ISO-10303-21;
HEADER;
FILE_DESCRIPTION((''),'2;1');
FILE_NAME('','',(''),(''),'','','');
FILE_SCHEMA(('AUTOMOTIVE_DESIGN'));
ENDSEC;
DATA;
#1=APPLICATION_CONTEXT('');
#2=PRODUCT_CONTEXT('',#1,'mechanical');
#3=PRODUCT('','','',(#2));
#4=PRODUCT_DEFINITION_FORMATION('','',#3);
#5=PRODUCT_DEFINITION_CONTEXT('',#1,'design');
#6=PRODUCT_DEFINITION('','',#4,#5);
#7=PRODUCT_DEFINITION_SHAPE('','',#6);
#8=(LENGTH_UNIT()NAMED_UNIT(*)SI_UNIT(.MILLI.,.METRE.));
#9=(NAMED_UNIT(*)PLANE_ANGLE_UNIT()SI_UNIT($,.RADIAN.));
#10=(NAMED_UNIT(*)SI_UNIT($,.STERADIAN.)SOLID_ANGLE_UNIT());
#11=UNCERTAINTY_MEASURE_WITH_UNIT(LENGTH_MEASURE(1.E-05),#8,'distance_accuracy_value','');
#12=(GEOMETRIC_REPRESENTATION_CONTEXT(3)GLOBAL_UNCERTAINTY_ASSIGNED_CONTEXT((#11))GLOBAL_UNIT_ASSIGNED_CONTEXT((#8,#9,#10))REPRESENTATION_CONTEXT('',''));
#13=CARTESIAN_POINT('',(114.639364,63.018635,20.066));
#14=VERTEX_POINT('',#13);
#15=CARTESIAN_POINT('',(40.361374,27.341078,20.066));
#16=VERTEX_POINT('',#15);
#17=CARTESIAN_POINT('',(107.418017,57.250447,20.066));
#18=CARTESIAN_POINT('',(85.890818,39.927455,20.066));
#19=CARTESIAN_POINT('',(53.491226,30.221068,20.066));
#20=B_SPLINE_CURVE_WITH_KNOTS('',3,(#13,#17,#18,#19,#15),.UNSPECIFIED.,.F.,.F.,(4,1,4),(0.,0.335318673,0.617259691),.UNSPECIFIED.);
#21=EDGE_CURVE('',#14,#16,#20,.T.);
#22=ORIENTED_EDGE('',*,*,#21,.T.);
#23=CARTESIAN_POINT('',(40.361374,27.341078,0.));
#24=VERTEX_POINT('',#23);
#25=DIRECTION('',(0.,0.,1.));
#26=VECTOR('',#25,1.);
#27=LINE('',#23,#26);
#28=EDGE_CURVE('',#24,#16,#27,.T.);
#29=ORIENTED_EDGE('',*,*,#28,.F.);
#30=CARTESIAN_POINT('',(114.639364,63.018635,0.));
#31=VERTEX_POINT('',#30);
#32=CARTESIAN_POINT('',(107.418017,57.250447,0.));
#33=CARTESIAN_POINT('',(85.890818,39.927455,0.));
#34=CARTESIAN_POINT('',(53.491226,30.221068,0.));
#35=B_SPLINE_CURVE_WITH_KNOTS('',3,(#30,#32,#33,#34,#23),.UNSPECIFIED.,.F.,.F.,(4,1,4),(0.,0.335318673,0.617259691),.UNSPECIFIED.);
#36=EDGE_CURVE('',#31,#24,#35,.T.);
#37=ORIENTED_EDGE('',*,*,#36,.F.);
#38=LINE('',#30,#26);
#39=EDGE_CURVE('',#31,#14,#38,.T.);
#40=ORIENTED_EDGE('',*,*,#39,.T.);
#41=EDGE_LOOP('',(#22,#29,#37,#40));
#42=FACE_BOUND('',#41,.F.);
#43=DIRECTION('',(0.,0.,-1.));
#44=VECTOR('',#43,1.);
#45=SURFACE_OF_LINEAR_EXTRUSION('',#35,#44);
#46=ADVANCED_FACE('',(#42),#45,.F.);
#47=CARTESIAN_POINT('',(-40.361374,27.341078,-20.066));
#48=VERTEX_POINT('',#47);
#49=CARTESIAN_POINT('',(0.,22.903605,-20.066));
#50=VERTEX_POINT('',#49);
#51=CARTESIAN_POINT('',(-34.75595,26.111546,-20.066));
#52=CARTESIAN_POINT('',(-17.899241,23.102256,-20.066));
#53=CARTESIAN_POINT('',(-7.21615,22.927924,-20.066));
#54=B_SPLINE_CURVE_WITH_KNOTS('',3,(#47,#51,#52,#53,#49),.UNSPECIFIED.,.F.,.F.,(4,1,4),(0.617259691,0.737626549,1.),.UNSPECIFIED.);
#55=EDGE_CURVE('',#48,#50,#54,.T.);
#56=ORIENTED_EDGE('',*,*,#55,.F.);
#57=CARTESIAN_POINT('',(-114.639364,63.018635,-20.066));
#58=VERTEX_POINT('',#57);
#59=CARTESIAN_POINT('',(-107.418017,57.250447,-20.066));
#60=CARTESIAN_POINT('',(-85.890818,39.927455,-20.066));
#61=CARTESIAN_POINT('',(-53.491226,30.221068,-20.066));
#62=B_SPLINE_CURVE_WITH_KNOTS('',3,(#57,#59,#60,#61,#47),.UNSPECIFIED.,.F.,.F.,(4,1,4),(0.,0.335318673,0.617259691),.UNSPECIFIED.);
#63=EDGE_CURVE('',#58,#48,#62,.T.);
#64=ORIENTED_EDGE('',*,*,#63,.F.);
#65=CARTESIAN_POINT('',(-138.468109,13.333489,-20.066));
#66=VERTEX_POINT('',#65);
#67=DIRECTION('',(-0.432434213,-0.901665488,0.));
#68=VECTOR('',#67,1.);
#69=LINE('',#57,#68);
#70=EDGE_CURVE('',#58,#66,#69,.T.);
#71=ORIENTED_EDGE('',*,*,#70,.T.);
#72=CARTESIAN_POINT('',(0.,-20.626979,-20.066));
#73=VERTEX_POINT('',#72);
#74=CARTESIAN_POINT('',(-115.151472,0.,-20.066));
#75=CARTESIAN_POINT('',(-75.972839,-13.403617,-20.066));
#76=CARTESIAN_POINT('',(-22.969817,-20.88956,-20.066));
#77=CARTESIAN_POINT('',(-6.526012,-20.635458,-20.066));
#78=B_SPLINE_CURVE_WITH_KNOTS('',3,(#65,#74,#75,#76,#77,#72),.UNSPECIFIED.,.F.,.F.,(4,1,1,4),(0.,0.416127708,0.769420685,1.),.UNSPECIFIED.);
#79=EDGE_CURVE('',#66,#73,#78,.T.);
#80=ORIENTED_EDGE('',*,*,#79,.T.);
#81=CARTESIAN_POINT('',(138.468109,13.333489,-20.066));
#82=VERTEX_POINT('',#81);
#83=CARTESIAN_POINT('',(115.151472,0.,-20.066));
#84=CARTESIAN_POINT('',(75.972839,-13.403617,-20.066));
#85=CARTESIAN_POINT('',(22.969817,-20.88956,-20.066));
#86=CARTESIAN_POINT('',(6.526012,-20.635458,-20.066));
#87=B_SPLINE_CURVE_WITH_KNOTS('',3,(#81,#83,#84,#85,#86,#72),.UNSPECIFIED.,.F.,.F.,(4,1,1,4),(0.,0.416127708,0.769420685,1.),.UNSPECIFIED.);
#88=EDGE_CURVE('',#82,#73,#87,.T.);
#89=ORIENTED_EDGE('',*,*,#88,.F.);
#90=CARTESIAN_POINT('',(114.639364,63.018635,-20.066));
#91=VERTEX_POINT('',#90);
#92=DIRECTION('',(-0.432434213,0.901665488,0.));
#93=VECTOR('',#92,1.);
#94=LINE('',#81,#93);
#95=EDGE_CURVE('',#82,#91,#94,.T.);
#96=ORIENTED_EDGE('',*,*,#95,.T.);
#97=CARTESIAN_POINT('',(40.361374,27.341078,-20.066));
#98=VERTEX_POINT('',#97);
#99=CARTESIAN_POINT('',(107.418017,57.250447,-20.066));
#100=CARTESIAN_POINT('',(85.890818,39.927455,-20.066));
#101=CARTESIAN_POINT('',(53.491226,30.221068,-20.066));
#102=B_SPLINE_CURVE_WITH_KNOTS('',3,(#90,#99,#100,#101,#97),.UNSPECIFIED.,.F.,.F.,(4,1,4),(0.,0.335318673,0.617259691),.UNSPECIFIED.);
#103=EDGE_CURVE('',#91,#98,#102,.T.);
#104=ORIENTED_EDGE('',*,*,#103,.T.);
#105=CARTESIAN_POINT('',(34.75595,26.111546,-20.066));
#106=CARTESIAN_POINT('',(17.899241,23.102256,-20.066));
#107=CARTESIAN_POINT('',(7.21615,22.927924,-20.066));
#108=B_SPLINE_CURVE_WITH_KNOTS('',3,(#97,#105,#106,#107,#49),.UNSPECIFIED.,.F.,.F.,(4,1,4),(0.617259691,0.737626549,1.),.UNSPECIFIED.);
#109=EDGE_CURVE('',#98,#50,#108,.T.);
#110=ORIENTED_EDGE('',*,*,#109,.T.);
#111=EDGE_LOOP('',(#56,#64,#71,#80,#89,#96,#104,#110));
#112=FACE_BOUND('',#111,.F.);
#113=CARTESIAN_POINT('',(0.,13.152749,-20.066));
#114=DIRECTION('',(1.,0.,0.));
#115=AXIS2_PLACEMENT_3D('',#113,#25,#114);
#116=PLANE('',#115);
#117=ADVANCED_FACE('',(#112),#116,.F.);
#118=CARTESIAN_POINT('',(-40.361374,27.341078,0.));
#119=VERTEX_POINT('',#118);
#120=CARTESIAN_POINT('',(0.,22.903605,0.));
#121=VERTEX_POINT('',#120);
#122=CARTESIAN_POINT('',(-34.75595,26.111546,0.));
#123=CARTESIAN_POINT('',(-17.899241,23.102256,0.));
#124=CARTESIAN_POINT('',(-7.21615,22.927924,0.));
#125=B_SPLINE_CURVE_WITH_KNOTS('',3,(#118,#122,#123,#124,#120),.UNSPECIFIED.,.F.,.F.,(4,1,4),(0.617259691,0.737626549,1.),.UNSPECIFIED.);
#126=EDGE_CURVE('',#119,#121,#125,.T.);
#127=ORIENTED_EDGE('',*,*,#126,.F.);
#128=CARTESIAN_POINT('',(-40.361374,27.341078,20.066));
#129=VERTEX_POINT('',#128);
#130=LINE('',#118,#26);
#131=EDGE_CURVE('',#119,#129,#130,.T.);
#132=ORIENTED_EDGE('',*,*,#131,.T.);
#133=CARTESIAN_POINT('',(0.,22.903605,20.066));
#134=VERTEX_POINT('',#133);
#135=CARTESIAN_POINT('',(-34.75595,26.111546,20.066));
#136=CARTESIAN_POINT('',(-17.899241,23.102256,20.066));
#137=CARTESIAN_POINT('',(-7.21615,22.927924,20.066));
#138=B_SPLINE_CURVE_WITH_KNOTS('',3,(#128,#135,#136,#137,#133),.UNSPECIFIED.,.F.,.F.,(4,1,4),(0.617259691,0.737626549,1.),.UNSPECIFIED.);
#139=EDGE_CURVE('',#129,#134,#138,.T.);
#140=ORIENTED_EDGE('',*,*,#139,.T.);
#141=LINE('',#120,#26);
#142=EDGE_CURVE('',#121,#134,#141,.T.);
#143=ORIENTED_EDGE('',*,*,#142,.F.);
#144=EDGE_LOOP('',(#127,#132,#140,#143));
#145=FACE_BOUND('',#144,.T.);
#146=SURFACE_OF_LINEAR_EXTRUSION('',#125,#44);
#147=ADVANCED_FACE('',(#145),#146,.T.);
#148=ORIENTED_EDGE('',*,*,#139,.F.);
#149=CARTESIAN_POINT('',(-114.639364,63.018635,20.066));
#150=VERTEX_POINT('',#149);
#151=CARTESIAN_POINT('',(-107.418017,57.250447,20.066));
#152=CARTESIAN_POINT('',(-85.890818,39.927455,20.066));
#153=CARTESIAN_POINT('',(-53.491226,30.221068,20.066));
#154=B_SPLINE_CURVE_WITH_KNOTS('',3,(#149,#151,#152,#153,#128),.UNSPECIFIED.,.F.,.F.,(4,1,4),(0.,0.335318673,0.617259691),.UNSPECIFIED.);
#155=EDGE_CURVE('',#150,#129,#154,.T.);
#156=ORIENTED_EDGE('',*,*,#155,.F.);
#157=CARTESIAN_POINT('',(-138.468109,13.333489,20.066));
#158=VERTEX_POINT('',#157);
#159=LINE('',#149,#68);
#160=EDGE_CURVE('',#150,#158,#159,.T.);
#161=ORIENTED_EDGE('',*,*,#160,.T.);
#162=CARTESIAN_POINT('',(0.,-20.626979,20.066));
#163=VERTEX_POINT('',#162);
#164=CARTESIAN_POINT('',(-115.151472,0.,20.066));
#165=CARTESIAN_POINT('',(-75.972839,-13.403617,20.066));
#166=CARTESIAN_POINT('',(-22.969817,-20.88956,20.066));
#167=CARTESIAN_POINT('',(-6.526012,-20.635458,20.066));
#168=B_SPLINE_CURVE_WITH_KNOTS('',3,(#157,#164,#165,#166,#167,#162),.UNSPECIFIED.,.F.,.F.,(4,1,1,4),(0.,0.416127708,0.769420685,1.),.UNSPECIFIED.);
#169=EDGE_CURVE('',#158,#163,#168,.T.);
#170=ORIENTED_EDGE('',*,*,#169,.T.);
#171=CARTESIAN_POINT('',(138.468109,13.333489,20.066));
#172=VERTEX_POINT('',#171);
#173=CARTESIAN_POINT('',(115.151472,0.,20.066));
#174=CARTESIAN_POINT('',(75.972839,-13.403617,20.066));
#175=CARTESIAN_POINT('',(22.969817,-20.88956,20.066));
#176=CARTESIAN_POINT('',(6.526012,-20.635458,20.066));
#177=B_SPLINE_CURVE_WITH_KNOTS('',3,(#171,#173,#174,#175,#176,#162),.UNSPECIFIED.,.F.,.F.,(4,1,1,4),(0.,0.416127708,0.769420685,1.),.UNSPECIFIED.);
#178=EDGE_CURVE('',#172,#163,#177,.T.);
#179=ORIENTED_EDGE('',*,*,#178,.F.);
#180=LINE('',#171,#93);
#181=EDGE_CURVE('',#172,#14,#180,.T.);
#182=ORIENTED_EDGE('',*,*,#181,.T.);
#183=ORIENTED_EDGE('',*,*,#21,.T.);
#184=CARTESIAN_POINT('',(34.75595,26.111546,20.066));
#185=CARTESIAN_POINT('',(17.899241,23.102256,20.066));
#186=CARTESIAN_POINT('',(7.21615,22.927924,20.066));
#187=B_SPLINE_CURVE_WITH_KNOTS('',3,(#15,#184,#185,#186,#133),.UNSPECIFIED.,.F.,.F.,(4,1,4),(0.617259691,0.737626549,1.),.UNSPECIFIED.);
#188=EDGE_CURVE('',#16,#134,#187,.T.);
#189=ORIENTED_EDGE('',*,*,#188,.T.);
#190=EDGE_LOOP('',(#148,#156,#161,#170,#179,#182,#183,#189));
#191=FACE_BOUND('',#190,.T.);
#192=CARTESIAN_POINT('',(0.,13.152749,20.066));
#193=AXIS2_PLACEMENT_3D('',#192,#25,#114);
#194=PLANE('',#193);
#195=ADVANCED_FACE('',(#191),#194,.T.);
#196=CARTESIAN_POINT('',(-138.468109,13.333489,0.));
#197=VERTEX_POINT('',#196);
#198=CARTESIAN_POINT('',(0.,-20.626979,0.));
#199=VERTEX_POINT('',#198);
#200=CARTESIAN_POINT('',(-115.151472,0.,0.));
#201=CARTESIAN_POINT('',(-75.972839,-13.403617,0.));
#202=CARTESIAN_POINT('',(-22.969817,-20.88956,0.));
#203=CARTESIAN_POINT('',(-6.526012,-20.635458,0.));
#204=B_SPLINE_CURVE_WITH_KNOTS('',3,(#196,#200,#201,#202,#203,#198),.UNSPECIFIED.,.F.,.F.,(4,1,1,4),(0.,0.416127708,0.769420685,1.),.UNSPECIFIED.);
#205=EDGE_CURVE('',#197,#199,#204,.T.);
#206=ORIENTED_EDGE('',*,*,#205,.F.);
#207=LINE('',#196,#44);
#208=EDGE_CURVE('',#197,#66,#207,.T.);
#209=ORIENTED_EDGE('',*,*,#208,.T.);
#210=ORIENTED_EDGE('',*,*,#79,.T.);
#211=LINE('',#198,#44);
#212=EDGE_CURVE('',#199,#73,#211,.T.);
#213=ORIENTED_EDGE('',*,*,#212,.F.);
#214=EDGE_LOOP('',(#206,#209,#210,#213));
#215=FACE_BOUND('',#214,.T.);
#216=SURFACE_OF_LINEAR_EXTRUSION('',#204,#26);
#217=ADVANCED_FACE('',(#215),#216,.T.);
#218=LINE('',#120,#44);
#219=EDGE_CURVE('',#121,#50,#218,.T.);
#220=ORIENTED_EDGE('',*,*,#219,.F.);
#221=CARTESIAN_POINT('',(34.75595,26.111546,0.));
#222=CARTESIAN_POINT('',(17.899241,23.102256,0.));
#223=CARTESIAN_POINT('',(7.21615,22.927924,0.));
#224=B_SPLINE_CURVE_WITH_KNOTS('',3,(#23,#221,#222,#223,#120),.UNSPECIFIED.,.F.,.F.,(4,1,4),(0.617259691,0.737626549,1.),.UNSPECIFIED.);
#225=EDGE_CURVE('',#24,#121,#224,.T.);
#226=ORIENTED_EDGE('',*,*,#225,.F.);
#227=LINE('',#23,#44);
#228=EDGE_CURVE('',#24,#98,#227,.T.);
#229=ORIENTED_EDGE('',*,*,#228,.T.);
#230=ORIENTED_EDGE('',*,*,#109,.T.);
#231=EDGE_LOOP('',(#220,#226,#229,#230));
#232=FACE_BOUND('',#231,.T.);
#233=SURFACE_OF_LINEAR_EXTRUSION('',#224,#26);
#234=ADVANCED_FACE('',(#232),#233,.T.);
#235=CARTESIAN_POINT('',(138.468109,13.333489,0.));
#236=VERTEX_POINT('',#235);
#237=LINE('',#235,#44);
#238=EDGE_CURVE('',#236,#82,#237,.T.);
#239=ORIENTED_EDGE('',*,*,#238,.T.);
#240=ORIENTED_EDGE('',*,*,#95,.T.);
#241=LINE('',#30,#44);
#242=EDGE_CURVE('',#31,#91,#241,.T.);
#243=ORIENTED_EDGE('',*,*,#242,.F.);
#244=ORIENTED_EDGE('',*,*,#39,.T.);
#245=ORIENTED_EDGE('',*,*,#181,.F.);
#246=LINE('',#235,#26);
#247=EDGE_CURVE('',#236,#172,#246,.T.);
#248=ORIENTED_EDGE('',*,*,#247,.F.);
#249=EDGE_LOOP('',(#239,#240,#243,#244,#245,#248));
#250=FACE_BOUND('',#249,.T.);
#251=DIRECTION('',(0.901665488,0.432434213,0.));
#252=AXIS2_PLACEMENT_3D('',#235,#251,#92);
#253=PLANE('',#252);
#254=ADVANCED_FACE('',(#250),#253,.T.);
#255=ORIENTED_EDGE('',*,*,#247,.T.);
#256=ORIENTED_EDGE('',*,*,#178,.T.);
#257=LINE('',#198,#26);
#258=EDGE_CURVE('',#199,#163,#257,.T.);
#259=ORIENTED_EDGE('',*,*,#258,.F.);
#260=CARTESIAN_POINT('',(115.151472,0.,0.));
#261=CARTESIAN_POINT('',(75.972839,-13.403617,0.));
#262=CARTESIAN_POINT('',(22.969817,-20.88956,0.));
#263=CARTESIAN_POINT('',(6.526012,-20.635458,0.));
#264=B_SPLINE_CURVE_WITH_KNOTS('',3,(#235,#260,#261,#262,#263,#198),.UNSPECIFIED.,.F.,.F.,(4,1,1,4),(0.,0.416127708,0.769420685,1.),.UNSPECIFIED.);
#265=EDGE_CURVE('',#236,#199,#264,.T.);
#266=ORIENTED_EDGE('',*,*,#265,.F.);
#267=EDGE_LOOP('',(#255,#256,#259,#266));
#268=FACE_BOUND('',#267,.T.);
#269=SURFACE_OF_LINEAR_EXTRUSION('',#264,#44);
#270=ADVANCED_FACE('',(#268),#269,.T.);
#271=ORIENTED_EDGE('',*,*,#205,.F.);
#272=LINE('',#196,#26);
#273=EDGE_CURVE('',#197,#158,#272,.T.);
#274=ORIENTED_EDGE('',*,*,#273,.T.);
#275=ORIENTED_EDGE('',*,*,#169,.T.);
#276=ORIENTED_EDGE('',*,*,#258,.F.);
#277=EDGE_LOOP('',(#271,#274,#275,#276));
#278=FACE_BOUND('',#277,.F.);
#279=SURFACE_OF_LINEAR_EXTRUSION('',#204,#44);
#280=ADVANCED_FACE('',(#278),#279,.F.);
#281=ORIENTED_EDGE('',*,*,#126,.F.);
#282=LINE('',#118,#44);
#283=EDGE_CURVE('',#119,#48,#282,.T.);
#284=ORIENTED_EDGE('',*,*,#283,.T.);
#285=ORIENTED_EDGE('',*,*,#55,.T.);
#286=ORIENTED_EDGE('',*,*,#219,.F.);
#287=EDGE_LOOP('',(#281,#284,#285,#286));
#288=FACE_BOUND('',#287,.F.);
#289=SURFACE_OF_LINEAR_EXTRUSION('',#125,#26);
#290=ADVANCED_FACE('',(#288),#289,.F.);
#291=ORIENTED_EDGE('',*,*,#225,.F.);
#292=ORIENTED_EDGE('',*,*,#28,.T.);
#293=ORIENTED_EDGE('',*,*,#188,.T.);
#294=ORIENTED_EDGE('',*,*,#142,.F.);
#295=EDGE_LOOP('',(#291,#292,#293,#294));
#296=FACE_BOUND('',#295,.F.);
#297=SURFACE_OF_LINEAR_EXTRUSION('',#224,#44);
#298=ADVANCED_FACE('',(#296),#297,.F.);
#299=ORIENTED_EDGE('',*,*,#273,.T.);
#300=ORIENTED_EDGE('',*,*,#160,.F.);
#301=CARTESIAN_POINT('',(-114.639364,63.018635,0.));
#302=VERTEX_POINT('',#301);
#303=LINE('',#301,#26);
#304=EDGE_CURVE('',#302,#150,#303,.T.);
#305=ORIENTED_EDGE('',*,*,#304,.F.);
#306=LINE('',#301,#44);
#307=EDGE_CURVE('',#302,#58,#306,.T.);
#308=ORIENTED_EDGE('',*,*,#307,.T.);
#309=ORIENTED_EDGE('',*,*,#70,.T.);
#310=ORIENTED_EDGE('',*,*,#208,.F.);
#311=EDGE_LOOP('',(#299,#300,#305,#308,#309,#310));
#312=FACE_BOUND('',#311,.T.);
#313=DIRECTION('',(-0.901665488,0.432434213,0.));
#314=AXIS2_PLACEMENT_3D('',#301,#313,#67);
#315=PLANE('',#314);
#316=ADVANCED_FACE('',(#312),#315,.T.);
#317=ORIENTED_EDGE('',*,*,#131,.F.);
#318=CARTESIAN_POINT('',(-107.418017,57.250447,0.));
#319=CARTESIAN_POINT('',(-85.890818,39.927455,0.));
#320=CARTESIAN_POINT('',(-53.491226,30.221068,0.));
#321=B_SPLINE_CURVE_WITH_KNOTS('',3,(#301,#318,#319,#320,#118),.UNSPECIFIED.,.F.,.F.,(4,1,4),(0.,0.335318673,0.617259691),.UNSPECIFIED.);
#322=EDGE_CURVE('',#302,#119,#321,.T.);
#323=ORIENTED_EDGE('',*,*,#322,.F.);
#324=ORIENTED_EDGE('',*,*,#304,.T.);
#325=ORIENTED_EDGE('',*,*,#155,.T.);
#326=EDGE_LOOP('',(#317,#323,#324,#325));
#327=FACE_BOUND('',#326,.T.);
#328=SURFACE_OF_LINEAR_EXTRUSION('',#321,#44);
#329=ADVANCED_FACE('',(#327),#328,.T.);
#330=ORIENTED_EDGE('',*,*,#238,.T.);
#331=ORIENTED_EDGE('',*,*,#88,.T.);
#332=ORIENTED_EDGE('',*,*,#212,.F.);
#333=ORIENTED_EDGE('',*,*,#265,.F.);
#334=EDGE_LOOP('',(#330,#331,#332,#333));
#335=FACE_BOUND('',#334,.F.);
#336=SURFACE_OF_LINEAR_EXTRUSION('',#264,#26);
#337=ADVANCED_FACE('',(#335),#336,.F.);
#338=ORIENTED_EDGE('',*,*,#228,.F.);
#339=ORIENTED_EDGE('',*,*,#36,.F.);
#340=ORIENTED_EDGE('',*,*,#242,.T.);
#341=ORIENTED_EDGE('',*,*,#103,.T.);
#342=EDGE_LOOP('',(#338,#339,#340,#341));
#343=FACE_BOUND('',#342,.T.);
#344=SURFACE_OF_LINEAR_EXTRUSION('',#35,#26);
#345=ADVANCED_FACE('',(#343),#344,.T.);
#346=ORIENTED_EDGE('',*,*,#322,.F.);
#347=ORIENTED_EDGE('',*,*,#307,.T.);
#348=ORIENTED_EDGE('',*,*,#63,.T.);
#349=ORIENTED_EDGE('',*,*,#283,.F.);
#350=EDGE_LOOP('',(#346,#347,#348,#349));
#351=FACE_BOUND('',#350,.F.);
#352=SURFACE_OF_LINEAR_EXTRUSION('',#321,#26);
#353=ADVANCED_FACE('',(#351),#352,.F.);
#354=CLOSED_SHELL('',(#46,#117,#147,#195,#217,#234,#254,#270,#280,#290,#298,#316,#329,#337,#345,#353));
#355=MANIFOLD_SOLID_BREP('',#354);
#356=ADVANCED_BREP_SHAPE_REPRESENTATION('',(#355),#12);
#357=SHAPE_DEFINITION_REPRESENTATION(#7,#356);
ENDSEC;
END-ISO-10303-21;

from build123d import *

# Parameters (mm, degrees)
F1_DEPTH = 20.066


with BuildPart() as f1:
    # F0 (on Top) → F1 (new body, symmetric)
    with BuildSketch(Plane.XY):
        with BuildLine():
            Line((-40.7400041414, 0), (-40.3613741967, 27.3410776708))
            add(Edge.make_bspline(
                [(-114.6393641829, 63.0186349154), (-107.418017227, 57.2504469564), (-85.8908182869, 39.927455403), (-53.4912257181, 30.2210678343), (-40.3613741967, 27.3410776708)],
                knots=[0, 0, 0, 0, 0.3353186726, 0.617259691, 0.617259691, 0.617259691, 0.617259691], degree=3))
            Line((-114.6393641829, 63.0186349154), (-138.4681090713, 13.3334891871))
            add(Edge.make_bspline(
                [(-138.4681090713, 13.3334891871), (-115.1514723897, 0), (-75.9728386276, -13.4036170026), (-22.9698172254, -20.889559513), (-6.5260122999, -20.6354582745), (0, -20.6269789487)],
                knots=[0, 0, 0, 0, 0.4161277079, 0.7694206845, 1, 1, 1, 1], degree=3))
            add(Edge.make_bspline(
                [(138.4681090713, 13.3334891871), (115.1514723897, 0), (75.9728386276, -13.4036170026), (22.9698172254, -20.889559513), (6.5260122999, -20.6354582745), (0, -20.6269789487)],
                knots=[0, 0, 0, 0, 0.4161277079, 0.7694206845, 1, 1, 1, 1], degree=3))
            Line((138.4681090713, 13.3334891871), (114.6393641829, 63.0186349154))
            add(Edge.make_bspline(
                [(114.6393641829, 63.0186349154), (107.418017227, 57.2504469564), (85.8908182869, 39.927455403), (53.4912257181, 30.2210678343), (40.3613741967, 27.3410776708)],
                knots=[0, 0, 0, 0, 0.3353186726, 0.617259691, 0.617259691, 0.617259691, 0.617259691], degree=3))
            Line((40.3613741967, 27.3410776708), (40.7400041414, 0))
            Line((40.7400041414, 0), (0, 0))
            Line((0, 0), (-40.7400041414, 0))
        make_face()
        with BuildLine():
            add(Edge.make_bspline(
                [(-40.3613741967, 27.3410776708), (-34.7559501325, 26.1115461609), (-17.8992406607, 23.1022563341), (-7.2161498025, 22.927924029), (0, 22.9036052665)],
                knots=[0.617259691, 0.617259691, 0.617259691, 0.617259691, 0.7376265486, 1, 1, 1, 1], degree=3))
            Line((-40.3613741967, 27.3410776708), (-40.7400041414, 0))
            Line((-40.7400041414, 0), (0, 0))
            Line((0, 0), (40.7400041414, 0))
            Line((40.7400041414, 0), (40.3613741967, 27.3410776708))
            add(Edge.make_bspline(
                [(40.3613741967, 27.3410776708), (34.7559501325, 26.1115461609), (17.8992406607, 23.1022563341), (7.2161498025, 22.927924029), (0, 22.9036052665)],
                knots=[0.617259691, 0.617259691, 0.617259691, 0.617259691, 0.7376265486, 1, 1, 1, 1], degree=3))
        make_face()
    extrude(amount=F1_DEPTH, both=True)


solid = f1.part
